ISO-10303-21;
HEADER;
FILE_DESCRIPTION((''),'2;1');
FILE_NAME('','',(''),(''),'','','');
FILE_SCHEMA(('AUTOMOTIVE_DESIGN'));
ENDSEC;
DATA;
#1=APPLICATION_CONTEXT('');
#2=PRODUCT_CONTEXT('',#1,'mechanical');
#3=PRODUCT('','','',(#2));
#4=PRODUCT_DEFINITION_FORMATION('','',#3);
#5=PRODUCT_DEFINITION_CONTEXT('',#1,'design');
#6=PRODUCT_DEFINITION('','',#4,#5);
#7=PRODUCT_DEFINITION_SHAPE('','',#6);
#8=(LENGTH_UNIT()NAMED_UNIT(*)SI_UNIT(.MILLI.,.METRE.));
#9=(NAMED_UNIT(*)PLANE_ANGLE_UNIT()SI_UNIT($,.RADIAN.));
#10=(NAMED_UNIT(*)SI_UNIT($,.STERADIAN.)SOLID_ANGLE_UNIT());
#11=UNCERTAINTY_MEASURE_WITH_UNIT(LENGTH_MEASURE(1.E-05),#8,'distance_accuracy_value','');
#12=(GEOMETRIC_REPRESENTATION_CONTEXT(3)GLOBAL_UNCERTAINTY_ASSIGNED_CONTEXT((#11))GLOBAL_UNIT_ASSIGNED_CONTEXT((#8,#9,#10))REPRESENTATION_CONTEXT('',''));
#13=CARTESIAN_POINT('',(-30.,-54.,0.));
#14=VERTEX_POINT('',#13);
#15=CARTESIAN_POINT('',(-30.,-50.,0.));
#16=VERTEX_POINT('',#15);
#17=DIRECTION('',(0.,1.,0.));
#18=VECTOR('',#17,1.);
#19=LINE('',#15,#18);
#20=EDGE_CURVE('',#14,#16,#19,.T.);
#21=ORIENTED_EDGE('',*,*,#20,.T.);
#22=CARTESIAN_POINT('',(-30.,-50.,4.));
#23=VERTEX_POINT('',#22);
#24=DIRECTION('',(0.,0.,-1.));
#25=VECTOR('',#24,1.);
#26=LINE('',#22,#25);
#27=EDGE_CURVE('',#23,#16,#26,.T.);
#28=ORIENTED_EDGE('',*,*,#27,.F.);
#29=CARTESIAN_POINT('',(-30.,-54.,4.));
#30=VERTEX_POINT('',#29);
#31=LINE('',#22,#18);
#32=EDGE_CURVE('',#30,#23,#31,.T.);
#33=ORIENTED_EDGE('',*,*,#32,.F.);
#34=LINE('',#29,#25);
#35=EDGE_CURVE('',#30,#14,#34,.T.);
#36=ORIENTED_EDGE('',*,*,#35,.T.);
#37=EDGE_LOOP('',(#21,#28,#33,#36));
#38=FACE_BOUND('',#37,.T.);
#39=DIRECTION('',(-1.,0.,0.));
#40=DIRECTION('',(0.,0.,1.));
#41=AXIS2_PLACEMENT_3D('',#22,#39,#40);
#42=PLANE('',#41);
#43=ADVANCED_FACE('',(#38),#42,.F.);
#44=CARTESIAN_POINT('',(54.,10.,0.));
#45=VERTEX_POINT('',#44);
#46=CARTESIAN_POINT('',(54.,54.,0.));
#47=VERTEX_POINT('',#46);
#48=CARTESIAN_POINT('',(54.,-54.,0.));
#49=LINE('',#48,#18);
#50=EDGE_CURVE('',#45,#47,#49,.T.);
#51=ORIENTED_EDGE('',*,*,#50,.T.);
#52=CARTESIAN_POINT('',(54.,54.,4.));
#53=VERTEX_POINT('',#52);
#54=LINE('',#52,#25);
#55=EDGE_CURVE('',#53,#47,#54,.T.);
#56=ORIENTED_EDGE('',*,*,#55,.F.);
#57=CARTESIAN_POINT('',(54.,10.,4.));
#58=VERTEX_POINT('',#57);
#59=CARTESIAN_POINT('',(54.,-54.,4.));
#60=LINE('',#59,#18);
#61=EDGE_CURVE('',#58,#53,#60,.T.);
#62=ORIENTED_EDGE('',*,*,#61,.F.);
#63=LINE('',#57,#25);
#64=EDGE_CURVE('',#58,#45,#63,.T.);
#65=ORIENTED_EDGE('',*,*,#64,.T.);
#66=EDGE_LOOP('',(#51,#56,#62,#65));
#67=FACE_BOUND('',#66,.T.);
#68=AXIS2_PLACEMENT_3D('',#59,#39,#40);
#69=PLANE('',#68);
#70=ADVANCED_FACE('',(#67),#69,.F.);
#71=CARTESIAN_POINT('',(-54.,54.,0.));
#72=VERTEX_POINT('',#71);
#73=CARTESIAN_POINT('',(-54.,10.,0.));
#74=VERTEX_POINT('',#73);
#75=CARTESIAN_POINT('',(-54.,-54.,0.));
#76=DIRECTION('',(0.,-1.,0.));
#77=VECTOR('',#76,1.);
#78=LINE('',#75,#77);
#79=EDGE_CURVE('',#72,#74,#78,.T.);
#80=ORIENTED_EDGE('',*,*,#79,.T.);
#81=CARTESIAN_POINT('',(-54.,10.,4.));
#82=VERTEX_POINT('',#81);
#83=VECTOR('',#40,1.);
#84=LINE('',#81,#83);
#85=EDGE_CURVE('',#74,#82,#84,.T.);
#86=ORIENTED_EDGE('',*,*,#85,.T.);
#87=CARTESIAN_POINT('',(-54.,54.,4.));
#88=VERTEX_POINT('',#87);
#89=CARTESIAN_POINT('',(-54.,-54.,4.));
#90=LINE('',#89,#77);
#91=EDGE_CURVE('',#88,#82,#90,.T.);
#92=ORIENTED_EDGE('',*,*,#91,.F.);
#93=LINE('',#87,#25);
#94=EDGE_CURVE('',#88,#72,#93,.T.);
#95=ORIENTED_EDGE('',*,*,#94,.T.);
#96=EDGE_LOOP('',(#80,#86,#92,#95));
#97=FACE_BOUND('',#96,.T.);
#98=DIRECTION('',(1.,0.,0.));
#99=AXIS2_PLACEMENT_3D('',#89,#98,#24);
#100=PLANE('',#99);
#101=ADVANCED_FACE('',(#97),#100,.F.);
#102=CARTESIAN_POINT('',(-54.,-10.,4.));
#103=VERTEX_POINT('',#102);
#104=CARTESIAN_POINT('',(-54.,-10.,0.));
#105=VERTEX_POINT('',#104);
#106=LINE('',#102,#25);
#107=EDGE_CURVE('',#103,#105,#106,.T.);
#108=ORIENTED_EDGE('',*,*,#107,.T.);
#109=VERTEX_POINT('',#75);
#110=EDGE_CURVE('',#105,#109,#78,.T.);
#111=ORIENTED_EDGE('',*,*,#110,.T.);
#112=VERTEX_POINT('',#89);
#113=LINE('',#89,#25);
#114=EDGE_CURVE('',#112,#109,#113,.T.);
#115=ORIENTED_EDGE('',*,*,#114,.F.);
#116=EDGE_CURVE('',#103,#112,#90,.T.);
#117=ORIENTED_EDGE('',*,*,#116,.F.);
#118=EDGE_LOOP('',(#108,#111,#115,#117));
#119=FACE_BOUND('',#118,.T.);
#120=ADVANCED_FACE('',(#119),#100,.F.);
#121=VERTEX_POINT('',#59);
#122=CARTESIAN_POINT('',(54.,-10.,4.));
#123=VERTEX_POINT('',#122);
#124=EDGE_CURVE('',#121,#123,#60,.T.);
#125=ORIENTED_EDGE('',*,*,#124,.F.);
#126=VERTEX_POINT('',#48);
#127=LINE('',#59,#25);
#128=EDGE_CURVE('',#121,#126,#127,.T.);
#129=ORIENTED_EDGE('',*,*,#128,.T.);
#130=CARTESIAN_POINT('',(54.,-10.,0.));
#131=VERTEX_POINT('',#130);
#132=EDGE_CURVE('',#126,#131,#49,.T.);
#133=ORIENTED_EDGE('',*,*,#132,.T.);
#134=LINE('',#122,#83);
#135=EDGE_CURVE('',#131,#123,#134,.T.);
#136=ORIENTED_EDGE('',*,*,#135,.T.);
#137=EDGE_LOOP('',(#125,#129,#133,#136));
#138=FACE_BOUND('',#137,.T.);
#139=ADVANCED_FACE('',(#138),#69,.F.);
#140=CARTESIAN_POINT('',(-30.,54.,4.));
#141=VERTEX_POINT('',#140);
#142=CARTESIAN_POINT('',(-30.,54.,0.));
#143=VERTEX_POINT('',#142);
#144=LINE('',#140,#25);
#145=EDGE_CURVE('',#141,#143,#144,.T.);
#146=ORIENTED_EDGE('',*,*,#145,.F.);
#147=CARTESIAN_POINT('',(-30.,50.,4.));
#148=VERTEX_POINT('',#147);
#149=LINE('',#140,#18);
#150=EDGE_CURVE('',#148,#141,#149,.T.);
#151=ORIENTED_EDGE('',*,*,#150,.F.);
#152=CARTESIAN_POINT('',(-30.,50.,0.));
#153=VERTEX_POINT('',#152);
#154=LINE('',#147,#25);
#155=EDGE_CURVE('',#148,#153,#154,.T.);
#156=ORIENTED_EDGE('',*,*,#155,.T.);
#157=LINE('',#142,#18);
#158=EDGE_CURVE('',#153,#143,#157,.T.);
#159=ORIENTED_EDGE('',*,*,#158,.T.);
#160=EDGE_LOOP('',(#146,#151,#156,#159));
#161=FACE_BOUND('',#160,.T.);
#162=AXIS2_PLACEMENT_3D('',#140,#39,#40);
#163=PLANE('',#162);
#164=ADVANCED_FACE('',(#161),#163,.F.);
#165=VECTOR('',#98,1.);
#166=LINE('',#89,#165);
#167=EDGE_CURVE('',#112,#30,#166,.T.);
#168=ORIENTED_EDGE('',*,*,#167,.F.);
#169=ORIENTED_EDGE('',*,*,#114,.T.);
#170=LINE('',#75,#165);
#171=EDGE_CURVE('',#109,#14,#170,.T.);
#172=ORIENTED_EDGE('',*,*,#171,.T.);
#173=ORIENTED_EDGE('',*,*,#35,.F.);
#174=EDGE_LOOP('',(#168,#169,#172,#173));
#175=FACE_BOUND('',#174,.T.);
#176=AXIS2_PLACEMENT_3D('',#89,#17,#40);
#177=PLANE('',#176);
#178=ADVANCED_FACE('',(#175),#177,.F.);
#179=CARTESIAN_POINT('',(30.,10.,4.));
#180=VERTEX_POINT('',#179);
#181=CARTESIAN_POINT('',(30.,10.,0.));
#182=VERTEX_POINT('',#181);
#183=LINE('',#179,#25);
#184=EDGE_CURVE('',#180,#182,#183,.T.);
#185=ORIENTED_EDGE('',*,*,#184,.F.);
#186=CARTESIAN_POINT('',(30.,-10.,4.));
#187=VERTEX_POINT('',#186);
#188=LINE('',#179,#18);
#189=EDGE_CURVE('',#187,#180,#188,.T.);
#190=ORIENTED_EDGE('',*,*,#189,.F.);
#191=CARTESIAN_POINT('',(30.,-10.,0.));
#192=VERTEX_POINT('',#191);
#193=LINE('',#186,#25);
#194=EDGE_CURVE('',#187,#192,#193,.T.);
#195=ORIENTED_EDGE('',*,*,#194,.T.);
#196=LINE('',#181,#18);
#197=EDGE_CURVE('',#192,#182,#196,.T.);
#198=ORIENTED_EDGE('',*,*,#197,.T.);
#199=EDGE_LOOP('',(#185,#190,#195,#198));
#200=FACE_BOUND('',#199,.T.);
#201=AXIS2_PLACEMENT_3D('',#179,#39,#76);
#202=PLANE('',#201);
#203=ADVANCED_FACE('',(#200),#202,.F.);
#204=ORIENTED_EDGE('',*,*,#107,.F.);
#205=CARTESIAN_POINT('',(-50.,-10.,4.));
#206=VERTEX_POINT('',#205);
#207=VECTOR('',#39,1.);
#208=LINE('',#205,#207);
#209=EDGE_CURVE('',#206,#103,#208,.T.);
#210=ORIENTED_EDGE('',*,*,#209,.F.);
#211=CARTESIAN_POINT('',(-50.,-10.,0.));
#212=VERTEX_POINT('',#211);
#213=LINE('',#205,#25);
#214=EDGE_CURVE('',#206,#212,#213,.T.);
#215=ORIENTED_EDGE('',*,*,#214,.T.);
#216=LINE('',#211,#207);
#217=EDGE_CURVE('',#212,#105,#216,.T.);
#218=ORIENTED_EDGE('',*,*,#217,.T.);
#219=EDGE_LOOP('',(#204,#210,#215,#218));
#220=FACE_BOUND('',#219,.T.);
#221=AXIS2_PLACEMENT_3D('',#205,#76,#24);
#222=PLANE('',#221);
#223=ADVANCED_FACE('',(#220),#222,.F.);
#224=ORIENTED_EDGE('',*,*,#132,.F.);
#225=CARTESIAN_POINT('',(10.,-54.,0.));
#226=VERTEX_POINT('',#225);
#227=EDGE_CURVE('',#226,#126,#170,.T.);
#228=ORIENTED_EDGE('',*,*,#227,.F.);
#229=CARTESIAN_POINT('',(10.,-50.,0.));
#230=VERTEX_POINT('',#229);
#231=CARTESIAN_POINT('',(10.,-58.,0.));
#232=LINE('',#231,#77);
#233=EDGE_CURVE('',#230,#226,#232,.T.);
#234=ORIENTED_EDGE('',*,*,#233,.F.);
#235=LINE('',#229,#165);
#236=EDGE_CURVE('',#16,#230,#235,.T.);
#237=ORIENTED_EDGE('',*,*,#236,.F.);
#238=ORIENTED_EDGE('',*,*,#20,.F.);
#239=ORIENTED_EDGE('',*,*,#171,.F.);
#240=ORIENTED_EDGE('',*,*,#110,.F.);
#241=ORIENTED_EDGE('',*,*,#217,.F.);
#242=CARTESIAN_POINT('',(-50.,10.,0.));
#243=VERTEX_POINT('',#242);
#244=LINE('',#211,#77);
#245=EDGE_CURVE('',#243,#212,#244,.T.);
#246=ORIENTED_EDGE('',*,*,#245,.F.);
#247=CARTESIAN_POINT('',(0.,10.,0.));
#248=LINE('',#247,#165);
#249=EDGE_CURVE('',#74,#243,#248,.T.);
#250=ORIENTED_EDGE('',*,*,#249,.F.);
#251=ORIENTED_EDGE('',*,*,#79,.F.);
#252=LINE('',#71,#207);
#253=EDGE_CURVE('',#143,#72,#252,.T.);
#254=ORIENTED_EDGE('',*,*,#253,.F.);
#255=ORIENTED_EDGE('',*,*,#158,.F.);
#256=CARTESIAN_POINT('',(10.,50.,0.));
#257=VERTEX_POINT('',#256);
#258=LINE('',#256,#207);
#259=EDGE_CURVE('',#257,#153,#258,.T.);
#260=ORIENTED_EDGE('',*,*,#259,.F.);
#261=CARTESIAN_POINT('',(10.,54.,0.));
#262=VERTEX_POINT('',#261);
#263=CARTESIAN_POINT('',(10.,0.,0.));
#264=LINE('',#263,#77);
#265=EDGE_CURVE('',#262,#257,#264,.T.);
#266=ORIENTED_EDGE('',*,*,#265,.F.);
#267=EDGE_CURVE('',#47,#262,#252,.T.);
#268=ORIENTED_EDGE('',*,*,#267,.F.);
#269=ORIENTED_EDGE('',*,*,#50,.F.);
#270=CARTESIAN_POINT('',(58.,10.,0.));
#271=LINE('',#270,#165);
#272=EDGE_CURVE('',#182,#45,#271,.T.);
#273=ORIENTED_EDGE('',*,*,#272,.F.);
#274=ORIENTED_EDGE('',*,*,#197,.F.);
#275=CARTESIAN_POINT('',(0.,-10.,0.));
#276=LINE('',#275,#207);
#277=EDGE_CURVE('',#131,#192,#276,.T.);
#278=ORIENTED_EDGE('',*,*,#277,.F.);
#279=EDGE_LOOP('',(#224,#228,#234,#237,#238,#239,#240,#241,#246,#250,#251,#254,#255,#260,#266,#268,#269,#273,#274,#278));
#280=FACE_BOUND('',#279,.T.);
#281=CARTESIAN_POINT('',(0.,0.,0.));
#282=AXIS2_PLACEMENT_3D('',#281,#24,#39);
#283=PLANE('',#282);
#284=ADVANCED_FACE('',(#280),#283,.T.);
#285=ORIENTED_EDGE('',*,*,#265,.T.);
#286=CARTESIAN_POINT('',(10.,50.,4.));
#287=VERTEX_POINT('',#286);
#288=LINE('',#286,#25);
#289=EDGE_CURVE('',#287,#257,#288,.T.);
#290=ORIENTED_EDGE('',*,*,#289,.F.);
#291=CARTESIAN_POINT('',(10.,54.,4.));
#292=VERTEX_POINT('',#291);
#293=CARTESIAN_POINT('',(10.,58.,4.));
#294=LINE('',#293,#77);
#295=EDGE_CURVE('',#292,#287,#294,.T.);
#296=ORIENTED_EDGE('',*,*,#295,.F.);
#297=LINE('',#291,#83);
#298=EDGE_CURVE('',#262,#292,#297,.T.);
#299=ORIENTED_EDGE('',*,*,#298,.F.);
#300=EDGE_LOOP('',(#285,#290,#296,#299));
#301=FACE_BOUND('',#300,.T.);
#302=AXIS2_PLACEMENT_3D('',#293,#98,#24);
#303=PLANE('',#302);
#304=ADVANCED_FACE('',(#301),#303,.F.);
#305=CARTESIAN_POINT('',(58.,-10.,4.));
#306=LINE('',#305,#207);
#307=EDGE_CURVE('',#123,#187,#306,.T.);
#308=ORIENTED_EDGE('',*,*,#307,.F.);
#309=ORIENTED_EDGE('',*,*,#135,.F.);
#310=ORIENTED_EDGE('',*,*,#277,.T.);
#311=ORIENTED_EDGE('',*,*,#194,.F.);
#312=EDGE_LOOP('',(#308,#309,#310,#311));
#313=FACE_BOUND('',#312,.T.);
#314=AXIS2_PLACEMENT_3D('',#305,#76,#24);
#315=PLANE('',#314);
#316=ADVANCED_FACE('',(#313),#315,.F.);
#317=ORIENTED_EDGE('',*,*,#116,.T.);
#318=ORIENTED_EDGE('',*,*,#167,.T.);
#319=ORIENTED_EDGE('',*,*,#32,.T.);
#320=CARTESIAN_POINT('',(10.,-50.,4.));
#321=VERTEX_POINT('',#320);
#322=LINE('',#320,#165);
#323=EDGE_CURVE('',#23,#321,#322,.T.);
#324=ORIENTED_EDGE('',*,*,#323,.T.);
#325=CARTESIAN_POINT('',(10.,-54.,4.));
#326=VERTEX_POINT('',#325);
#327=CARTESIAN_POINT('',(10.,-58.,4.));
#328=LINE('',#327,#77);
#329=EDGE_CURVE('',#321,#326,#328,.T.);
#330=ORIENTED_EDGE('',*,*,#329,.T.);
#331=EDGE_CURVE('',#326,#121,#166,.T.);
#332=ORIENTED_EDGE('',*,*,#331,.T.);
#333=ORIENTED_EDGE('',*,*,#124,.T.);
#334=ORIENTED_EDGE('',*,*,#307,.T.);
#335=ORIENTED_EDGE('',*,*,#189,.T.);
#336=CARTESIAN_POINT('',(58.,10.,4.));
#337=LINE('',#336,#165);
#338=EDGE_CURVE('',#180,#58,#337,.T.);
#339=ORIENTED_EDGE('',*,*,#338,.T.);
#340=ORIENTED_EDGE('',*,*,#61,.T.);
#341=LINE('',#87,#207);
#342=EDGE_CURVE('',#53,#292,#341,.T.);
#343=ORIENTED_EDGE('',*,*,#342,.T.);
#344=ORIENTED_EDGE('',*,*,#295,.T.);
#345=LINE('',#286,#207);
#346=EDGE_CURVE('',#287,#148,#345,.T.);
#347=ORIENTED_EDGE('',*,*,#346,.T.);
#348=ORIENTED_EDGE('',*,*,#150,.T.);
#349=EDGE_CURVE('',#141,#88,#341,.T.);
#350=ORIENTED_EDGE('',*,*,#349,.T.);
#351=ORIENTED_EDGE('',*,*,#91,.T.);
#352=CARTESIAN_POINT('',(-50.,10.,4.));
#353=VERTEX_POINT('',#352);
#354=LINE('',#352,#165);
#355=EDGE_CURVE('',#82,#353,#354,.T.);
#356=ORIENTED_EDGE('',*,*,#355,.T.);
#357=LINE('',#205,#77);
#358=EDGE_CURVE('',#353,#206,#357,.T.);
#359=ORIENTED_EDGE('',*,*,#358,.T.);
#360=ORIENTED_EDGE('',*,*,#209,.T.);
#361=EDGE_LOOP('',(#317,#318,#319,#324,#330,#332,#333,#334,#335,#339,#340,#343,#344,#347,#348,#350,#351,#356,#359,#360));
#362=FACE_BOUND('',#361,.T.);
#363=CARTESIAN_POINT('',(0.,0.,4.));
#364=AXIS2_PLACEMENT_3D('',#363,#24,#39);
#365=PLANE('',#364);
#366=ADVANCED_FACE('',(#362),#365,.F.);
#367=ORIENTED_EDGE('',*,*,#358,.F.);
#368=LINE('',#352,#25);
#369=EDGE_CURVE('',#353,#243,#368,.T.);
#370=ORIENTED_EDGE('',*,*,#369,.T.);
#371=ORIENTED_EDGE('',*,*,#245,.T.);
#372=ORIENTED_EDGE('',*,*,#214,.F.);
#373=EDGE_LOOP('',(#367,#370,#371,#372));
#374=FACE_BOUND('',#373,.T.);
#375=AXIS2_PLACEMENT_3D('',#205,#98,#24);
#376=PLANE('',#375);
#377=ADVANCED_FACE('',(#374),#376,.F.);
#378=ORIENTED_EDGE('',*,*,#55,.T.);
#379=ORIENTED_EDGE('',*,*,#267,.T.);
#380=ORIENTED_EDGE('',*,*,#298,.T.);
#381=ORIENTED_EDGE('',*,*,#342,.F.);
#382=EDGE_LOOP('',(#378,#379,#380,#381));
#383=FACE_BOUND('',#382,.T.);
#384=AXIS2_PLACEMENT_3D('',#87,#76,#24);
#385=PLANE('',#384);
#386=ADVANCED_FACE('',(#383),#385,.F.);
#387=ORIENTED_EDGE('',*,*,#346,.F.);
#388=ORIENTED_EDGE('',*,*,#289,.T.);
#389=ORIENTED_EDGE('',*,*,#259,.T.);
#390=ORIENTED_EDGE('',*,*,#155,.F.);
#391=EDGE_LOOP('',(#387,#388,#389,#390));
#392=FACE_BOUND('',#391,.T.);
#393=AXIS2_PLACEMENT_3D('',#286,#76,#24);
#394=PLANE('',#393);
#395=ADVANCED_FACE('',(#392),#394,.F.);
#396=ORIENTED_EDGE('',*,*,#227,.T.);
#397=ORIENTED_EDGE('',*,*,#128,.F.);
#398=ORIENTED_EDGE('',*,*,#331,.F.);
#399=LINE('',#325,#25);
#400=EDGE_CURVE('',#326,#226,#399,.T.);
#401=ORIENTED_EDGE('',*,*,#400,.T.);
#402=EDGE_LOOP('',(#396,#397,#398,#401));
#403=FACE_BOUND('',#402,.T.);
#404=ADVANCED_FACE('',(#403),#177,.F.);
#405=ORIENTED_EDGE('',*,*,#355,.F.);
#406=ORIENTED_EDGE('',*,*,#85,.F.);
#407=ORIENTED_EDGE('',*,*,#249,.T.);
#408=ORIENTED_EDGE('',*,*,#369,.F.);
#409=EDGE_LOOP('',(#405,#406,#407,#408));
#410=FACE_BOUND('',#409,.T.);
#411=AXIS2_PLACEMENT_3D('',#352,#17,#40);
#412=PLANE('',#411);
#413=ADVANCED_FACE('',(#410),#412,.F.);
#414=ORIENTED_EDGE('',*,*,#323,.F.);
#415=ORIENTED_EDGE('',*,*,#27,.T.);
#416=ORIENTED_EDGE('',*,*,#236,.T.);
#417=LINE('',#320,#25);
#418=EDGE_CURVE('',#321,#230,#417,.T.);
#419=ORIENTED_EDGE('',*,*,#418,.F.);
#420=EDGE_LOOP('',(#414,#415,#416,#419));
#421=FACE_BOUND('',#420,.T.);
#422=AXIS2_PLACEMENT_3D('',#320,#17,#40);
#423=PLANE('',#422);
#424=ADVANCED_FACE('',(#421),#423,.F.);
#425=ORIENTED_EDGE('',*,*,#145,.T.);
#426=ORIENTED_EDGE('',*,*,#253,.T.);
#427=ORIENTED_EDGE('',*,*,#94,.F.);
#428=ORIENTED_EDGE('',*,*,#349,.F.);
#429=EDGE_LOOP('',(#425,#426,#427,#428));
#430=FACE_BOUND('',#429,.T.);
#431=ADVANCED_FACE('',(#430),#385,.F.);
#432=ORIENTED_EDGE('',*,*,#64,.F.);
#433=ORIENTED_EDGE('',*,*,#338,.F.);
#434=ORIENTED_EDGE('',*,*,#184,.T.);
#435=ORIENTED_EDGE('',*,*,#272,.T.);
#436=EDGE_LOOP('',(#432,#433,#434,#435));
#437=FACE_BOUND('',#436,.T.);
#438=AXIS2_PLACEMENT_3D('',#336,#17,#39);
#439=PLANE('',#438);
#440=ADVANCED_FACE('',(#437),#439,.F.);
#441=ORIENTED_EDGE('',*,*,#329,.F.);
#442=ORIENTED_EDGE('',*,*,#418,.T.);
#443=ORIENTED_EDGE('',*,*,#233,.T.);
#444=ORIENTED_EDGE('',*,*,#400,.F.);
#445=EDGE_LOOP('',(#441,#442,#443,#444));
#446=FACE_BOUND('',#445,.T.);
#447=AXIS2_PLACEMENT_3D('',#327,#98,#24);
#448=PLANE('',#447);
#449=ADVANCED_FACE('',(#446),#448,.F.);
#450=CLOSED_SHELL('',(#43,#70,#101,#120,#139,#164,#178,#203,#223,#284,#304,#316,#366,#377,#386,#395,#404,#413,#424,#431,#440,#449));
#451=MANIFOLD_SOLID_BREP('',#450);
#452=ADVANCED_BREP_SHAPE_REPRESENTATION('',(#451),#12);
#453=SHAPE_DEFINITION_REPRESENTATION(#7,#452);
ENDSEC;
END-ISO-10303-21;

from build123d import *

# Parameters (mm, degrees)
SKETCH2_W           = 108
SKETCH2_H           = 108
BOSS_EXTRUDE1_DEPTH = 4
SKETCH3_W           = 20
SKETCH3_H           = 8
SKETCH3_W_2         = 8
SKETCH3_H_2         = 20
CUT_EXTRUDE1_DEPTH  = 4
SKETCH4_W           = 20
SKETCH4_H           = 4
SKETCH4_H_2         = 20
CUT_EXTRUDE2_DEPTH  = 4


with BuildPart() as part:
    # Sketch2 → Boss-Extrude1 (new body)
    with BuildSketch(Plane.XY):
        Rectangle(SKETCH2_W, SKETCH2_H)
    extrude(amount=BOSS_EXTRUDE1_DEPTH)

    # Sketch3 → Cut-Extrude1 (cut)
    with BuildSketch(Plane(origin=(0, 0, 0), x_dir=(-1, 0, 0), z_dir=(0, 0, -1))):
        with Locations((0, 54)):
            Rectangle(SKETCH3_W, SKETCH3_H)
        with Locations((54, 0)):
            Rectangle(SKETCH3_W_2, SKETCH3_H_2)
        with Locations((-54, 0)):
            Rectangle(SKETCH3_W_2, SKETCH3_H_2)
        with Locations((0, -54)):
            Rectangle(SKETCH3_W, SKETCH3_H)
    extrude(amount=-CUT_EXTRUDE1_DEPTH, mode=Mode.SUBTRACT)

    # Sketch4 → Cut-Extrude2 (cut)
    with BuildSketch(Plane(origin=(0, 0, 0), x_dir=(-1, 0, 0), z_dir=(0, 0, -1))):
        with Locations((20, 52)):
            Rectangle(SKETCH4_W, SKETCH4_H)
        with Locations((20, -52)):
            Rectangle(SKETCH4_W, SKETCH4_H)
        with Locations((-40, 0)):
            Rectangle(SKETCH4_W, SKETCH4_H_2)
    extrude(amount=-CUT_EXTRUDE2_DEPTH, mode=Mode.SUBTRACT)


solid = part.part
